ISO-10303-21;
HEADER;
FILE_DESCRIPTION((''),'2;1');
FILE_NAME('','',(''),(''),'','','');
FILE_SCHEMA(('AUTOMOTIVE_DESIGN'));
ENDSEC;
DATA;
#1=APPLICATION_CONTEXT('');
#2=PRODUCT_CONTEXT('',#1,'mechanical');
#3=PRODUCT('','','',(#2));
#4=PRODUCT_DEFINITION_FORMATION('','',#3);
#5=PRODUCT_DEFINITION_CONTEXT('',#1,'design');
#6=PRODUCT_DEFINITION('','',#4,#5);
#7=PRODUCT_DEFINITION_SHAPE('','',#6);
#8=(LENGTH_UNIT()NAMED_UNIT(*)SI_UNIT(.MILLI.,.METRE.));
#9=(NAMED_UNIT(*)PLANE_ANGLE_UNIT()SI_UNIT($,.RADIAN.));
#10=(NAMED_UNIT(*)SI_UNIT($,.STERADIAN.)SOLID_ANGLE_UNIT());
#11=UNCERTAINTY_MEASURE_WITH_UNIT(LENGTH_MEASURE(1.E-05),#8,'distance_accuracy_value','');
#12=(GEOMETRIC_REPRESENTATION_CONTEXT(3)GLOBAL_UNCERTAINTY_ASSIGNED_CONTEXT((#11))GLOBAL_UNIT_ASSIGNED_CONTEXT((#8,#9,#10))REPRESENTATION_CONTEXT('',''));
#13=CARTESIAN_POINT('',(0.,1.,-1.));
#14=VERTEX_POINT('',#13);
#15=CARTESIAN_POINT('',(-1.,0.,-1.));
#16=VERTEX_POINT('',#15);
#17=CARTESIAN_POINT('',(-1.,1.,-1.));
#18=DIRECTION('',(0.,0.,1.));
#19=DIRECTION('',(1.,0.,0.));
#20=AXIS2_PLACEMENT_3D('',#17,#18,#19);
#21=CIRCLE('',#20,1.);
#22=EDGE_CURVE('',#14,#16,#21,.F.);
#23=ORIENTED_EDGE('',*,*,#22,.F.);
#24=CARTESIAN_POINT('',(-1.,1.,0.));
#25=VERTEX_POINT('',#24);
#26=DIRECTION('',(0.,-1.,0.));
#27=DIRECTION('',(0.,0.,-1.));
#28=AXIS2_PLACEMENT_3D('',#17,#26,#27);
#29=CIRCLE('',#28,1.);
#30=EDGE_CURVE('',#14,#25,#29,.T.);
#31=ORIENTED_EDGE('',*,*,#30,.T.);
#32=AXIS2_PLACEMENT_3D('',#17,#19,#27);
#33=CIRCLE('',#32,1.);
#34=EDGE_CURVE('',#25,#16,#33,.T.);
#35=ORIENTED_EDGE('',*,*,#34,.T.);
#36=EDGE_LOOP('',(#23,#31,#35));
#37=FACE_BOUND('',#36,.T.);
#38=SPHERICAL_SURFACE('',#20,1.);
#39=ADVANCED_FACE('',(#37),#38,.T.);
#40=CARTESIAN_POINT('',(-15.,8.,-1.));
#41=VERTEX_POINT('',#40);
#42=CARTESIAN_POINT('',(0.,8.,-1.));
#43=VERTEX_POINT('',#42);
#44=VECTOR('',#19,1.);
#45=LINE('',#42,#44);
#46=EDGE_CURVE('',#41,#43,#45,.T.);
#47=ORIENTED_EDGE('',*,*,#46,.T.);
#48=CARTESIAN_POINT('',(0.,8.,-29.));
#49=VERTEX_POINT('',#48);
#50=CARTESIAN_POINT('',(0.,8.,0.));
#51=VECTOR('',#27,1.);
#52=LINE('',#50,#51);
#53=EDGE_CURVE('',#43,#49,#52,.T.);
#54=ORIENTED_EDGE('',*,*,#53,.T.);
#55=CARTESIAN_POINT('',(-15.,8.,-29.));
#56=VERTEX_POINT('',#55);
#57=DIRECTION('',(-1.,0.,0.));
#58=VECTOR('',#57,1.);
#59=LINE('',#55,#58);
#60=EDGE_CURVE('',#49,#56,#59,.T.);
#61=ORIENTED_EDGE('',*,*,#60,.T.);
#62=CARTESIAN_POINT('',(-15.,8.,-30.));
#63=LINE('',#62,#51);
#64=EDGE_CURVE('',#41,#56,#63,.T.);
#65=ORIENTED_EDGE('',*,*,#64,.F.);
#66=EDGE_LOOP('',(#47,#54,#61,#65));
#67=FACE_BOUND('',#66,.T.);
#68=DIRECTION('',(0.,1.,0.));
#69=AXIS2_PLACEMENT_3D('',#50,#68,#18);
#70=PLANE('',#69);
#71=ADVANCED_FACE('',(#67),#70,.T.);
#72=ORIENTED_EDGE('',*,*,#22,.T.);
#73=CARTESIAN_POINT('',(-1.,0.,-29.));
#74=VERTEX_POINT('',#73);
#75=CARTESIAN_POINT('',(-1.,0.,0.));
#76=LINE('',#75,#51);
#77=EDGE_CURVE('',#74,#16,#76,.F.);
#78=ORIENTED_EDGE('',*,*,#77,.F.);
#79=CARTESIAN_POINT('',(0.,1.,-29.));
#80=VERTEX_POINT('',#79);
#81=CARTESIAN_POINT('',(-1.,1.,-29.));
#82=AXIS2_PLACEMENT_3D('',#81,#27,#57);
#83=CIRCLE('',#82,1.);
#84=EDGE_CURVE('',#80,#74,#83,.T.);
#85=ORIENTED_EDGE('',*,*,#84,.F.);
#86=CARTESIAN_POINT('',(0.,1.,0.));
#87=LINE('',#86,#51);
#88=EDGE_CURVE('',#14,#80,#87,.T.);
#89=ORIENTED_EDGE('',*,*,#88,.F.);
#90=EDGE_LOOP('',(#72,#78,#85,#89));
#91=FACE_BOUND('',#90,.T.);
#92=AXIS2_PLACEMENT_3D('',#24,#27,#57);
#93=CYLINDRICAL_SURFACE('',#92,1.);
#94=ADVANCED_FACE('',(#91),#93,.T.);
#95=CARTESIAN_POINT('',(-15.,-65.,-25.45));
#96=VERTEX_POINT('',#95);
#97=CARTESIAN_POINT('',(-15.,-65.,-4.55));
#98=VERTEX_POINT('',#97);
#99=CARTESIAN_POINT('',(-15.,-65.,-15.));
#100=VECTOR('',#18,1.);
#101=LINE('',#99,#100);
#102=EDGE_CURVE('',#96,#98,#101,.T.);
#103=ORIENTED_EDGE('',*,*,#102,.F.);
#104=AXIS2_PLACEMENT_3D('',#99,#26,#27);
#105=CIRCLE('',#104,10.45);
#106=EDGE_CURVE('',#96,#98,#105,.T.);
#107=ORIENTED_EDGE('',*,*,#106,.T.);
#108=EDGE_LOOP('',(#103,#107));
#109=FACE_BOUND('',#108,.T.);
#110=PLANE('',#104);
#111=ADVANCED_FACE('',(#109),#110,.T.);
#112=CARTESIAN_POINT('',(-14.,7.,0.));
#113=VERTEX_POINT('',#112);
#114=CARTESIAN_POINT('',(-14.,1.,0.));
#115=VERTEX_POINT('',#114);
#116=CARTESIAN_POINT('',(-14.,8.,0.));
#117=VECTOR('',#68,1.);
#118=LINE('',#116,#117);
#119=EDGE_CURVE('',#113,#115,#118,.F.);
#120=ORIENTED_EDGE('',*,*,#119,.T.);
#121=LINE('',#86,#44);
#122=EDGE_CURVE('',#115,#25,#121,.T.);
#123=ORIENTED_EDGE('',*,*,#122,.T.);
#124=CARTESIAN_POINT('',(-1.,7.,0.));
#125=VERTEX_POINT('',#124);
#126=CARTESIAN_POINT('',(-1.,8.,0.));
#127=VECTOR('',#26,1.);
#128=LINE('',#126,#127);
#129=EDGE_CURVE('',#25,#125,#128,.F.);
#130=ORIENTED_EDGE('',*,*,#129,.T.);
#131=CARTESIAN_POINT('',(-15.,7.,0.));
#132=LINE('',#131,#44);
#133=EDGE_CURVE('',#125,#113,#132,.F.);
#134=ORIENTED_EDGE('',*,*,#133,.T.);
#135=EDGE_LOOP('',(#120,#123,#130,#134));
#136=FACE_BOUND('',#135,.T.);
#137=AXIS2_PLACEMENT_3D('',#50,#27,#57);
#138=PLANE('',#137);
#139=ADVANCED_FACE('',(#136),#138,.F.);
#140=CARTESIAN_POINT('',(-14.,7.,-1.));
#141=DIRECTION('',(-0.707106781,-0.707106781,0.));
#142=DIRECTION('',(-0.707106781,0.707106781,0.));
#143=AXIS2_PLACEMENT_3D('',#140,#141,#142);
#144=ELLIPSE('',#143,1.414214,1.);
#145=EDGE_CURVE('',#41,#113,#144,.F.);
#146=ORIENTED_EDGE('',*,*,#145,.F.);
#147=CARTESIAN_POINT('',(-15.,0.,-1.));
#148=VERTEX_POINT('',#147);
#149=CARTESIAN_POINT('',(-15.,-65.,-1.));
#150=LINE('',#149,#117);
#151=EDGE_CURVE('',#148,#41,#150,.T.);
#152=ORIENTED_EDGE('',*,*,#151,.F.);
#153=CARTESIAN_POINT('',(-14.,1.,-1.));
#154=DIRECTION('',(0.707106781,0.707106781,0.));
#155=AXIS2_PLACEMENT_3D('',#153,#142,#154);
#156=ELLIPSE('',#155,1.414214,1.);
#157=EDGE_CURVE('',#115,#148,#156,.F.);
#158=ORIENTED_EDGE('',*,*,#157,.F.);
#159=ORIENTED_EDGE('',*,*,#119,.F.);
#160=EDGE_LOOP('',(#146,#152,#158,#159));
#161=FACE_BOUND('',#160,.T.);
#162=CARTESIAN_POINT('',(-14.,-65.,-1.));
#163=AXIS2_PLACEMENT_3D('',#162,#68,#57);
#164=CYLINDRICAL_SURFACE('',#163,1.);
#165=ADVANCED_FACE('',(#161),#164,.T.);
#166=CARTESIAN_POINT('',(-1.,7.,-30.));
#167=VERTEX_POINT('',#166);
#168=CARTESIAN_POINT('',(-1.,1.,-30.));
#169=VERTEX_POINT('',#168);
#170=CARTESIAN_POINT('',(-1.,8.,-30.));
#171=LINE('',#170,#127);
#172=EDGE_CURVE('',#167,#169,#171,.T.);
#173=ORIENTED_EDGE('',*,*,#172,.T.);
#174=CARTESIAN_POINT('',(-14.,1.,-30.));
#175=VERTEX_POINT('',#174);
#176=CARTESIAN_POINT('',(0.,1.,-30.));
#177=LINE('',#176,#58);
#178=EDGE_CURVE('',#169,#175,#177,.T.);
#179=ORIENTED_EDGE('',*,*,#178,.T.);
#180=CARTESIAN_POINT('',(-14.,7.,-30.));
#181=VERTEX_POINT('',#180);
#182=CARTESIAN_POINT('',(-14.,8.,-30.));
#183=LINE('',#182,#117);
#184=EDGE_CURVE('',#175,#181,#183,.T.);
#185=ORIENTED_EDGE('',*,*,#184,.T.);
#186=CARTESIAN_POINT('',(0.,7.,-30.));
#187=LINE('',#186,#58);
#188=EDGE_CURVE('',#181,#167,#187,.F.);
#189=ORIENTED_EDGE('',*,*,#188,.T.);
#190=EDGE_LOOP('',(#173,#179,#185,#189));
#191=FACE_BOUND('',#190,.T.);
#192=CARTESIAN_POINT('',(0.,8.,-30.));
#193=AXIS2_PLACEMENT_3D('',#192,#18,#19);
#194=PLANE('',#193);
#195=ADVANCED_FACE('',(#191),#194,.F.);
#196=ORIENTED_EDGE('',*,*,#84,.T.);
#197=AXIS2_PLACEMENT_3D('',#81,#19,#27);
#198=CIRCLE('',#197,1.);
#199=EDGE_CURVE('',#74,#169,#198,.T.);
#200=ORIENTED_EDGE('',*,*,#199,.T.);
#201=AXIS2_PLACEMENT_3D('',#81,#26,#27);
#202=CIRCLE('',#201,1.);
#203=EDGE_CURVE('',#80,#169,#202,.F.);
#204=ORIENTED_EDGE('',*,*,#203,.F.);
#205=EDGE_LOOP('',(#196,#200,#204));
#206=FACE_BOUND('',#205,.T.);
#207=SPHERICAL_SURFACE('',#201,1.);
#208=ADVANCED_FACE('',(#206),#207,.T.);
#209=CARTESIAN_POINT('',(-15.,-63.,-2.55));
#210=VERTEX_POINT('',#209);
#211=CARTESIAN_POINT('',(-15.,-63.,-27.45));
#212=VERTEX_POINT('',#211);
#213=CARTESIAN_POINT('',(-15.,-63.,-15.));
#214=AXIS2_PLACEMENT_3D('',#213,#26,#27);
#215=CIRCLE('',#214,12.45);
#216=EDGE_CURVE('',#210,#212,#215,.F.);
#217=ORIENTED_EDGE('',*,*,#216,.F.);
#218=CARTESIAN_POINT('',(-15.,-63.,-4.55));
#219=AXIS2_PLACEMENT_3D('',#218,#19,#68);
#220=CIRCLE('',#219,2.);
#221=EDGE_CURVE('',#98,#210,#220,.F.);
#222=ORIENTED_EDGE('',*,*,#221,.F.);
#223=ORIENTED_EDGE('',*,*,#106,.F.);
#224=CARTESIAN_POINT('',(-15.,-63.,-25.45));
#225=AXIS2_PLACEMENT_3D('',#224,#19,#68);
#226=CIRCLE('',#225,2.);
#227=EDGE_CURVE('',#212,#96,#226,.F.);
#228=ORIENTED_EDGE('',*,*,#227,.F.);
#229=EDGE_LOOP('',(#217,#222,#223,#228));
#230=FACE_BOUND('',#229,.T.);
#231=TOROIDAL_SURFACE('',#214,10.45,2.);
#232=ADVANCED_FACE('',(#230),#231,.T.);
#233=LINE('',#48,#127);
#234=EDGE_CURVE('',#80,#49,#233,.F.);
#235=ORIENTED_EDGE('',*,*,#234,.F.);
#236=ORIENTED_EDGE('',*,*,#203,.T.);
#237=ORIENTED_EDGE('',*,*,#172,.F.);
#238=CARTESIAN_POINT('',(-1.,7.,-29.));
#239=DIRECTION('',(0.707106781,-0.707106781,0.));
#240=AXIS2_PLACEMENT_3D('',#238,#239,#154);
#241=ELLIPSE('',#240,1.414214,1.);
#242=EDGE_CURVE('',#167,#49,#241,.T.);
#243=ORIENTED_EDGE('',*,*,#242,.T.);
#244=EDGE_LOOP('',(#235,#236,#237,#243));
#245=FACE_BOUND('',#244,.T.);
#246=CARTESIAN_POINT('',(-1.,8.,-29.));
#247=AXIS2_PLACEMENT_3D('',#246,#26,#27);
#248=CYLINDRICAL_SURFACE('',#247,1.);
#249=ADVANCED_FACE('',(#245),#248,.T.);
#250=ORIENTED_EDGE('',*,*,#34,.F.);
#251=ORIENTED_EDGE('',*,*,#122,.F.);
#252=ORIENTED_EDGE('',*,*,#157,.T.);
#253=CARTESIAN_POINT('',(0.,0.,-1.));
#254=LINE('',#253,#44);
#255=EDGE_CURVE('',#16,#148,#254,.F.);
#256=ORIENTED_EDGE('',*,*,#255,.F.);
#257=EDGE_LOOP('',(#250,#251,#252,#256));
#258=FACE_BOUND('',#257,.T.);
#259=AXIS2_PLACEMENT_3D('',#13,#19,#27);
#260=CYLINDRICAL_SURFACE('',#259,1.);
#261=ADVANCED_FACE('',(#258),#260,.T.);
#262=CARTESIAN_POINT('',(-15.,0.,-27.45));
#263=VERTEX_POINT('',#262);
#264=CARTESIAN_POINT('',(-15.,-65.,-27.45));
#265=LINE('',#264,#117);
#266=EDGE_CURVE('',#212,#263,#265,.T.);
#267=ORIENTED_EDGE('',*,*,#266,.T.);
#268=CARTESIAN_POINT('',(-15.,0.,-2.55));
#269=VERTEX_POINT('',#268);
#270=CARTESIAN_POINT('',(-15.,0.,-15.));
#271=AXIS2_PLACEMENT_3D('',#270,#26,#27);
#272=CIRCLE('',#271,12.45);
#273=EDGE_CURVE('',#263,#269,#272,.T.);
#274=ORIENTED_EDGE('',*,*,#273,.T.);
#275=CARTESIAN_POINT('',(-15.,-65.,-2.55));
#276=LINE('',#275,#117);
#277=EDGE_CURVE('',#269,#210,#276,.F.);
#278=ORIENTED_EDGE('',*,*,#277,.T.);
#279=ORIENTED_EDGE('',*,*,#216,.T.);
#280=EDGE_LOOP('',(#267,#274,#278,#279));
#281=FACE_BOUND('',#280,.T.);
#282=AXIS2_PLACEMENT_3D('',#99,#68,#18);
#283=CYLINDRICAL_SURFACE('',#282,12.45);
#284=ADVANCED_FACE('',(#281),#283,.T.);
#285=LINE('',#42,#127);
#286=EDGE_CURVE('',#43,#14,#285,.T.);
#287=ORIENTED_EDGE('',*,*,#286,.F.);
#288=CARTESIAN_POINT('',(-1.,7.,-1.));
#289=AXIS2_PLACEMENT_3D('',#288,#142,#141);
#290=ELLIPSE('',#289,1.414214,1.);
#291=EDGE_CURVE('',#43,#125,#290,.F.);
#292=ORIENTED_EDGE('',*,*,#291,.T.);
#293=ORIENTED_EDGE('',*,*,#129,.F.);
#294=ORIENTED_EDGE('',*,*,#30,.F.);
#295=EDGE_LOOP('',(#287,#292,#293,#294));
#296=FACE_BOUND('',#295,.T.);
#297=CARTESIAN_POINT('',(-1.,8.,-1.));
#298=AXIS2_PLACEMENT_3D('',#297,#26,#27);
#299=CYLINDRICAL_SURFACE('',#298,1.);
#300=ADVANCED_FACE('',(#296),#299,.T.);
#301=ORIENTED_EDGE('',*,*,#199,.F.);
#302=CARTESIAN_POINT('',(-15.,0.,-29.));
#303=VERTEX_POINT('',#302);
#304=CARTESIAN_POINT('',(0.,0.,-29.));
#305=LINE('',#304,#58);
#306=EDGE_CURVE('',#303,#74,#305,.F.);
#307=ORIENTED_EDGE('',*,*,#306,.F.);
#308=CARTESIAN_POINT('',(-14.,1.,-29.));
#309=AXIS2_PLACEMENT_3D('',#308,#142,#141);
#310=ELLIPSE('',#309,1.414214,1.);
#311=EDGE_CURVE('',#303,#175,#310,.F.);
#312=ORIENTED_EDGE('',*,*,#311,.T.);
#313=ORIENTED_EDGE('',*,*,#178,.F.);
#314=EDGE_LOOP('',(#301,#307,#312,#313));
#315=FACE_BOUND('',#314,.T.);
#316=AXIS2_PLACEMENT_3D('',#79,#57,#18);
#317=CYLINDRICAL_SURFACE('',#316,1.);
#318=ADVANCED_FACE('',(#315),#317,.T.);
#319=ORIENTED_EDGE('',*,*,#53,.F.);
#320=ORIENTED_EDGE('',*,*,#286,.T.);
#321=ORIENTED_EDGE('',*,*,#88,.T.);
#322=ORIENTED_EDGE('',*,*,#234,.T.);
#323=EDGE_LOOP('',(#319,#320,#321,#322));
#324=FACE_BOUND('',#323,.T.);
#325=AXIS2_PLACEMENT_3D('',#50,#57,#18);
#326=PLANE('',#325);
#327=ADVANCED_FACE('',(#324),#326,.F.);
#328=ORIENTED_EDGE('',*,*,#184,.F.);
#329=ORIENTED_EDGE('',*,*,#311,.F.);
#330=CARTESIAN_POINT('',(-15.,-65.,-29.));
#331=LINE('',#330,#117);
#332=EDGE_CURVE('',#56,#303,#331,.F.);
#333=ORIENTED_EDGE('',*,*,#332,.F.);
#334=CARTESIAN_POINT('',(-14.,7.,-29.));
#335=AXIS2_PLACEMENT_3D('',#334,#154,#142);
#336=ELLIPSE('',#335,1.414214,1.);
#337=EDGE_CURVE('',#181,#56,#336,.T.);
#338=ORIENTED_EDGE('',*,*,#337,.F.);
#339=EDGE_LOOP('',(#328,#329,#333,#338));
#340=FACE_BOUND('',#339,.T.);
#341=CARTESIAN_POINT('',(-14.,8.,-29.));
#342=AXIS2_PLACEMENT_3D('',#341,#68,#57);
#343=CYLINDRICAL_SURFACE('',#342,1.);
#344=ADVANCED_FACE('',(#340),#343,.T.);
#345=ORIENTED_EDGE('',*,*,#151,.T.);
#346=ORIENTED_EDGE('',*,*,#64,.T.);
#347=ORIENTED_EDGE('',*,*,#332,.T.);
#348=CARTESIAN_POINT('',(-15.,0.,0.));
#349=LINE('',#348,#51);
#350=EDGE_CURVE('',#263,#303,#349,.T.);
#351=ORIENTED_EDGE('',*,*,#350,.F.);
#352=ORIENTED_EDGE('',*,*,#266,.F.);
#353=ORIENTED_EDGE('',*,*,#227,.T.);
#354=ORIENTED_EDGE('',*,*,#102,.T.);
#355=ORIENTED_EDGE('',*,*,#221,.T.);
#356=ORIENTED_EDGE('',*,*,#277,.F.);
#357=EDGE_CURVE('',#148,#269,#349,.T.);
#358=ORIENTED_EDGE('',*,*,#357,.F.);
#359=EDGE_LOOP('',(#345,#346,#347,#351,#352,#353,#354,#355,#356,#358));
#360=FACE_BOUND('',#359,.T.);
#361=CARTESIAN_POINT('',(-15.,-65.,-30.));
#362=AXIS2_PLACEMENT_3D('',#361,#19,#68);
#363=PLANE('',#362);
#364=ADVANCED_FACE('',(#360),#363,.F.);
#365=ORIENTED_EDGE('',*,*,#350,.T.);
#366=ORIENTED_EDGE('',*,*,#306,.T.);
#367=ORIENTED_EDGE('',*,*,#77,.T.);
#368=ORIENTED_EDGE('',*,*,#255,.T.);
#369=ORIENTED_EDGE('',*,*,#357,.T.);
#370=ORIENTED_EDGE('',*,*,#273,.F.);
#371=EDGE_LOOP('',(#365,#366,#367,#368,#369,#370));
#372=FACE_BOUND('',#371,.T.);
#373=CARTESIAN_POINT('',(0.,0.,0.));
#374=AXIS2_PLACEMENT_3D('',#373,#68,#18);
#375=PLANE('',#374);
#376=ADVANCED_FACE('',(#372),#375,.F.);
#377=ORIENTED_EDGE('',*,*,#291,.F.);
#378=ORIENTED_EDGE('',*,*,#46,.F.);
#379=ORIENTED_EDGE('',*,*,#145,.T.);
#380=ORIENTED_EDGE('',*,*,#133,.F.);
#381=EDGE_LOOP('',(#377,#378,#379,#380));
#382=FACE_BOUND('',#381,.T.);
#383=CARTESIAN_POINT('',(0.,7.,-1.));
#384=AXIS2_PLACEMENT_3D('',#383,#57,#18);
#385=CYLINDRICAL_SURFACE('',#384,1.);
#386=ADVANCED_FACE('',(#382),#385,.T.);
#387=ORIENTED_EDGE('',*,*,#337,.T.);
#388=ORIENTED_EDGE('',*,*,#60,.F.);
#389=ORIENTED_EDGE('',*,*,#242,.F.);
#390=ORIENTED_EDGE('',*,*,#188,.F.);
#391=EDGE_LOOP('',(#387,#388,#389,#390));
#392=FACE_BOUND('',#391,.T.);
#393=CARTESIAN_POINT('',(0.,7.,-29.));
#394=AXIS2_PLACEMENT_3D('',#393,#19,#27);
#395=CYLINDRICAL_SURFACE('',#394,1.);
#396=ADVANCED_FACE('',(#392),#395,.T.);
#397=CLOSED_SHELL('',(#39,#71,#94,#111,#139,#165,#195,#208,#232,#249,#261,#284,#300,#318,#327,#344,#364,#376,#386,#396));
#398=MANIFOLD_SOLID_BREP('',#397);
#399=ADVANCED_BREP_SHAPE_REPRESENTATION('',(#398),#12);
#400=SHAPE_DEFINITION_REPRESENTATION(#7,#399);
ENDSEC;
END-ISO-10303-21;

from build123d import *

# Parameters (mm, degrees)
SKETCH_1_W          = 30
SKETCH_1_H          = 30
EXTRUDE_1_DEPTH     = 8
SKETCH_2_R          = 12.45
EXTRUDE_2_DEPTH     = 65
SKETCH_3_W          = 15
SKETCH_3_H          = 30
CUT_EXTRUDE_1_DEPTH = 85.433405711
FILLET_1_R          = 2
FILLET_2_R          = 1


with BuildPart() as part:
    # 草图1 → 凸台-拉伸1 (new body)
    with BuildSketch(Plane(origin=(0, 0, 0), x_dir=(1, 0, 0), z_dir=(0, 1, 0))):
        with Locations((-15, 15)):
            Rectangle(SKETCH_1_W, SKETCH_1_H)
    extrude(amount=EXTRUDE_1_DEPTH)

    # 草图2 → 凸台-拉伸2 (add)
    with BuildSketch(Plane.XZ):
        with Locations(Location((-15, -15, 0), (0, 0, 270))):
            Circle(SKETCH_2_R)
    extrude(amount=EXTRUDE_2_DEPTH)

    # 草图3 → 切除-拉伸1 (cut, through all)
    with BuildSketch(Plane(origin=(0, 8, 0), x_dir=(1, 0, 0), z_dir=(0, 1, 0))):
        with Locations((-22.5, 15)):
            Rectangle(SKETCH_3_W, SKETCH_3_H)
    extrude(amount=-CUT_EXTRUDE_1_DEPTH, mode=Mode.SUBTRACT)

    # 圆角1
    fillet_1_edges = [part.edges().sort_by_distance(p)[0] for p in [
        (-2.55, -65, -15),
    ]]
    fillet(fillet_1_edges, radius=FILLET_1_R)

    # 圆角2
    fillet_2_edges = [part.edges().sort_by_distance(p)[0] for p in [
        (-7.5, 0, 0),
        (-7.5, 8, 0),
        (-15, 4, 0),
        (-15, 4, -30),
        (-7.5, 0, -30),
        (0, 0, -15),
        (0, 4, 0),
        (0, 4, -30),
        (-7.5, 8, -30),
    ]]
    fillet(fillet_2_edges, radius=FILLET_2_R)


solid = part.part
